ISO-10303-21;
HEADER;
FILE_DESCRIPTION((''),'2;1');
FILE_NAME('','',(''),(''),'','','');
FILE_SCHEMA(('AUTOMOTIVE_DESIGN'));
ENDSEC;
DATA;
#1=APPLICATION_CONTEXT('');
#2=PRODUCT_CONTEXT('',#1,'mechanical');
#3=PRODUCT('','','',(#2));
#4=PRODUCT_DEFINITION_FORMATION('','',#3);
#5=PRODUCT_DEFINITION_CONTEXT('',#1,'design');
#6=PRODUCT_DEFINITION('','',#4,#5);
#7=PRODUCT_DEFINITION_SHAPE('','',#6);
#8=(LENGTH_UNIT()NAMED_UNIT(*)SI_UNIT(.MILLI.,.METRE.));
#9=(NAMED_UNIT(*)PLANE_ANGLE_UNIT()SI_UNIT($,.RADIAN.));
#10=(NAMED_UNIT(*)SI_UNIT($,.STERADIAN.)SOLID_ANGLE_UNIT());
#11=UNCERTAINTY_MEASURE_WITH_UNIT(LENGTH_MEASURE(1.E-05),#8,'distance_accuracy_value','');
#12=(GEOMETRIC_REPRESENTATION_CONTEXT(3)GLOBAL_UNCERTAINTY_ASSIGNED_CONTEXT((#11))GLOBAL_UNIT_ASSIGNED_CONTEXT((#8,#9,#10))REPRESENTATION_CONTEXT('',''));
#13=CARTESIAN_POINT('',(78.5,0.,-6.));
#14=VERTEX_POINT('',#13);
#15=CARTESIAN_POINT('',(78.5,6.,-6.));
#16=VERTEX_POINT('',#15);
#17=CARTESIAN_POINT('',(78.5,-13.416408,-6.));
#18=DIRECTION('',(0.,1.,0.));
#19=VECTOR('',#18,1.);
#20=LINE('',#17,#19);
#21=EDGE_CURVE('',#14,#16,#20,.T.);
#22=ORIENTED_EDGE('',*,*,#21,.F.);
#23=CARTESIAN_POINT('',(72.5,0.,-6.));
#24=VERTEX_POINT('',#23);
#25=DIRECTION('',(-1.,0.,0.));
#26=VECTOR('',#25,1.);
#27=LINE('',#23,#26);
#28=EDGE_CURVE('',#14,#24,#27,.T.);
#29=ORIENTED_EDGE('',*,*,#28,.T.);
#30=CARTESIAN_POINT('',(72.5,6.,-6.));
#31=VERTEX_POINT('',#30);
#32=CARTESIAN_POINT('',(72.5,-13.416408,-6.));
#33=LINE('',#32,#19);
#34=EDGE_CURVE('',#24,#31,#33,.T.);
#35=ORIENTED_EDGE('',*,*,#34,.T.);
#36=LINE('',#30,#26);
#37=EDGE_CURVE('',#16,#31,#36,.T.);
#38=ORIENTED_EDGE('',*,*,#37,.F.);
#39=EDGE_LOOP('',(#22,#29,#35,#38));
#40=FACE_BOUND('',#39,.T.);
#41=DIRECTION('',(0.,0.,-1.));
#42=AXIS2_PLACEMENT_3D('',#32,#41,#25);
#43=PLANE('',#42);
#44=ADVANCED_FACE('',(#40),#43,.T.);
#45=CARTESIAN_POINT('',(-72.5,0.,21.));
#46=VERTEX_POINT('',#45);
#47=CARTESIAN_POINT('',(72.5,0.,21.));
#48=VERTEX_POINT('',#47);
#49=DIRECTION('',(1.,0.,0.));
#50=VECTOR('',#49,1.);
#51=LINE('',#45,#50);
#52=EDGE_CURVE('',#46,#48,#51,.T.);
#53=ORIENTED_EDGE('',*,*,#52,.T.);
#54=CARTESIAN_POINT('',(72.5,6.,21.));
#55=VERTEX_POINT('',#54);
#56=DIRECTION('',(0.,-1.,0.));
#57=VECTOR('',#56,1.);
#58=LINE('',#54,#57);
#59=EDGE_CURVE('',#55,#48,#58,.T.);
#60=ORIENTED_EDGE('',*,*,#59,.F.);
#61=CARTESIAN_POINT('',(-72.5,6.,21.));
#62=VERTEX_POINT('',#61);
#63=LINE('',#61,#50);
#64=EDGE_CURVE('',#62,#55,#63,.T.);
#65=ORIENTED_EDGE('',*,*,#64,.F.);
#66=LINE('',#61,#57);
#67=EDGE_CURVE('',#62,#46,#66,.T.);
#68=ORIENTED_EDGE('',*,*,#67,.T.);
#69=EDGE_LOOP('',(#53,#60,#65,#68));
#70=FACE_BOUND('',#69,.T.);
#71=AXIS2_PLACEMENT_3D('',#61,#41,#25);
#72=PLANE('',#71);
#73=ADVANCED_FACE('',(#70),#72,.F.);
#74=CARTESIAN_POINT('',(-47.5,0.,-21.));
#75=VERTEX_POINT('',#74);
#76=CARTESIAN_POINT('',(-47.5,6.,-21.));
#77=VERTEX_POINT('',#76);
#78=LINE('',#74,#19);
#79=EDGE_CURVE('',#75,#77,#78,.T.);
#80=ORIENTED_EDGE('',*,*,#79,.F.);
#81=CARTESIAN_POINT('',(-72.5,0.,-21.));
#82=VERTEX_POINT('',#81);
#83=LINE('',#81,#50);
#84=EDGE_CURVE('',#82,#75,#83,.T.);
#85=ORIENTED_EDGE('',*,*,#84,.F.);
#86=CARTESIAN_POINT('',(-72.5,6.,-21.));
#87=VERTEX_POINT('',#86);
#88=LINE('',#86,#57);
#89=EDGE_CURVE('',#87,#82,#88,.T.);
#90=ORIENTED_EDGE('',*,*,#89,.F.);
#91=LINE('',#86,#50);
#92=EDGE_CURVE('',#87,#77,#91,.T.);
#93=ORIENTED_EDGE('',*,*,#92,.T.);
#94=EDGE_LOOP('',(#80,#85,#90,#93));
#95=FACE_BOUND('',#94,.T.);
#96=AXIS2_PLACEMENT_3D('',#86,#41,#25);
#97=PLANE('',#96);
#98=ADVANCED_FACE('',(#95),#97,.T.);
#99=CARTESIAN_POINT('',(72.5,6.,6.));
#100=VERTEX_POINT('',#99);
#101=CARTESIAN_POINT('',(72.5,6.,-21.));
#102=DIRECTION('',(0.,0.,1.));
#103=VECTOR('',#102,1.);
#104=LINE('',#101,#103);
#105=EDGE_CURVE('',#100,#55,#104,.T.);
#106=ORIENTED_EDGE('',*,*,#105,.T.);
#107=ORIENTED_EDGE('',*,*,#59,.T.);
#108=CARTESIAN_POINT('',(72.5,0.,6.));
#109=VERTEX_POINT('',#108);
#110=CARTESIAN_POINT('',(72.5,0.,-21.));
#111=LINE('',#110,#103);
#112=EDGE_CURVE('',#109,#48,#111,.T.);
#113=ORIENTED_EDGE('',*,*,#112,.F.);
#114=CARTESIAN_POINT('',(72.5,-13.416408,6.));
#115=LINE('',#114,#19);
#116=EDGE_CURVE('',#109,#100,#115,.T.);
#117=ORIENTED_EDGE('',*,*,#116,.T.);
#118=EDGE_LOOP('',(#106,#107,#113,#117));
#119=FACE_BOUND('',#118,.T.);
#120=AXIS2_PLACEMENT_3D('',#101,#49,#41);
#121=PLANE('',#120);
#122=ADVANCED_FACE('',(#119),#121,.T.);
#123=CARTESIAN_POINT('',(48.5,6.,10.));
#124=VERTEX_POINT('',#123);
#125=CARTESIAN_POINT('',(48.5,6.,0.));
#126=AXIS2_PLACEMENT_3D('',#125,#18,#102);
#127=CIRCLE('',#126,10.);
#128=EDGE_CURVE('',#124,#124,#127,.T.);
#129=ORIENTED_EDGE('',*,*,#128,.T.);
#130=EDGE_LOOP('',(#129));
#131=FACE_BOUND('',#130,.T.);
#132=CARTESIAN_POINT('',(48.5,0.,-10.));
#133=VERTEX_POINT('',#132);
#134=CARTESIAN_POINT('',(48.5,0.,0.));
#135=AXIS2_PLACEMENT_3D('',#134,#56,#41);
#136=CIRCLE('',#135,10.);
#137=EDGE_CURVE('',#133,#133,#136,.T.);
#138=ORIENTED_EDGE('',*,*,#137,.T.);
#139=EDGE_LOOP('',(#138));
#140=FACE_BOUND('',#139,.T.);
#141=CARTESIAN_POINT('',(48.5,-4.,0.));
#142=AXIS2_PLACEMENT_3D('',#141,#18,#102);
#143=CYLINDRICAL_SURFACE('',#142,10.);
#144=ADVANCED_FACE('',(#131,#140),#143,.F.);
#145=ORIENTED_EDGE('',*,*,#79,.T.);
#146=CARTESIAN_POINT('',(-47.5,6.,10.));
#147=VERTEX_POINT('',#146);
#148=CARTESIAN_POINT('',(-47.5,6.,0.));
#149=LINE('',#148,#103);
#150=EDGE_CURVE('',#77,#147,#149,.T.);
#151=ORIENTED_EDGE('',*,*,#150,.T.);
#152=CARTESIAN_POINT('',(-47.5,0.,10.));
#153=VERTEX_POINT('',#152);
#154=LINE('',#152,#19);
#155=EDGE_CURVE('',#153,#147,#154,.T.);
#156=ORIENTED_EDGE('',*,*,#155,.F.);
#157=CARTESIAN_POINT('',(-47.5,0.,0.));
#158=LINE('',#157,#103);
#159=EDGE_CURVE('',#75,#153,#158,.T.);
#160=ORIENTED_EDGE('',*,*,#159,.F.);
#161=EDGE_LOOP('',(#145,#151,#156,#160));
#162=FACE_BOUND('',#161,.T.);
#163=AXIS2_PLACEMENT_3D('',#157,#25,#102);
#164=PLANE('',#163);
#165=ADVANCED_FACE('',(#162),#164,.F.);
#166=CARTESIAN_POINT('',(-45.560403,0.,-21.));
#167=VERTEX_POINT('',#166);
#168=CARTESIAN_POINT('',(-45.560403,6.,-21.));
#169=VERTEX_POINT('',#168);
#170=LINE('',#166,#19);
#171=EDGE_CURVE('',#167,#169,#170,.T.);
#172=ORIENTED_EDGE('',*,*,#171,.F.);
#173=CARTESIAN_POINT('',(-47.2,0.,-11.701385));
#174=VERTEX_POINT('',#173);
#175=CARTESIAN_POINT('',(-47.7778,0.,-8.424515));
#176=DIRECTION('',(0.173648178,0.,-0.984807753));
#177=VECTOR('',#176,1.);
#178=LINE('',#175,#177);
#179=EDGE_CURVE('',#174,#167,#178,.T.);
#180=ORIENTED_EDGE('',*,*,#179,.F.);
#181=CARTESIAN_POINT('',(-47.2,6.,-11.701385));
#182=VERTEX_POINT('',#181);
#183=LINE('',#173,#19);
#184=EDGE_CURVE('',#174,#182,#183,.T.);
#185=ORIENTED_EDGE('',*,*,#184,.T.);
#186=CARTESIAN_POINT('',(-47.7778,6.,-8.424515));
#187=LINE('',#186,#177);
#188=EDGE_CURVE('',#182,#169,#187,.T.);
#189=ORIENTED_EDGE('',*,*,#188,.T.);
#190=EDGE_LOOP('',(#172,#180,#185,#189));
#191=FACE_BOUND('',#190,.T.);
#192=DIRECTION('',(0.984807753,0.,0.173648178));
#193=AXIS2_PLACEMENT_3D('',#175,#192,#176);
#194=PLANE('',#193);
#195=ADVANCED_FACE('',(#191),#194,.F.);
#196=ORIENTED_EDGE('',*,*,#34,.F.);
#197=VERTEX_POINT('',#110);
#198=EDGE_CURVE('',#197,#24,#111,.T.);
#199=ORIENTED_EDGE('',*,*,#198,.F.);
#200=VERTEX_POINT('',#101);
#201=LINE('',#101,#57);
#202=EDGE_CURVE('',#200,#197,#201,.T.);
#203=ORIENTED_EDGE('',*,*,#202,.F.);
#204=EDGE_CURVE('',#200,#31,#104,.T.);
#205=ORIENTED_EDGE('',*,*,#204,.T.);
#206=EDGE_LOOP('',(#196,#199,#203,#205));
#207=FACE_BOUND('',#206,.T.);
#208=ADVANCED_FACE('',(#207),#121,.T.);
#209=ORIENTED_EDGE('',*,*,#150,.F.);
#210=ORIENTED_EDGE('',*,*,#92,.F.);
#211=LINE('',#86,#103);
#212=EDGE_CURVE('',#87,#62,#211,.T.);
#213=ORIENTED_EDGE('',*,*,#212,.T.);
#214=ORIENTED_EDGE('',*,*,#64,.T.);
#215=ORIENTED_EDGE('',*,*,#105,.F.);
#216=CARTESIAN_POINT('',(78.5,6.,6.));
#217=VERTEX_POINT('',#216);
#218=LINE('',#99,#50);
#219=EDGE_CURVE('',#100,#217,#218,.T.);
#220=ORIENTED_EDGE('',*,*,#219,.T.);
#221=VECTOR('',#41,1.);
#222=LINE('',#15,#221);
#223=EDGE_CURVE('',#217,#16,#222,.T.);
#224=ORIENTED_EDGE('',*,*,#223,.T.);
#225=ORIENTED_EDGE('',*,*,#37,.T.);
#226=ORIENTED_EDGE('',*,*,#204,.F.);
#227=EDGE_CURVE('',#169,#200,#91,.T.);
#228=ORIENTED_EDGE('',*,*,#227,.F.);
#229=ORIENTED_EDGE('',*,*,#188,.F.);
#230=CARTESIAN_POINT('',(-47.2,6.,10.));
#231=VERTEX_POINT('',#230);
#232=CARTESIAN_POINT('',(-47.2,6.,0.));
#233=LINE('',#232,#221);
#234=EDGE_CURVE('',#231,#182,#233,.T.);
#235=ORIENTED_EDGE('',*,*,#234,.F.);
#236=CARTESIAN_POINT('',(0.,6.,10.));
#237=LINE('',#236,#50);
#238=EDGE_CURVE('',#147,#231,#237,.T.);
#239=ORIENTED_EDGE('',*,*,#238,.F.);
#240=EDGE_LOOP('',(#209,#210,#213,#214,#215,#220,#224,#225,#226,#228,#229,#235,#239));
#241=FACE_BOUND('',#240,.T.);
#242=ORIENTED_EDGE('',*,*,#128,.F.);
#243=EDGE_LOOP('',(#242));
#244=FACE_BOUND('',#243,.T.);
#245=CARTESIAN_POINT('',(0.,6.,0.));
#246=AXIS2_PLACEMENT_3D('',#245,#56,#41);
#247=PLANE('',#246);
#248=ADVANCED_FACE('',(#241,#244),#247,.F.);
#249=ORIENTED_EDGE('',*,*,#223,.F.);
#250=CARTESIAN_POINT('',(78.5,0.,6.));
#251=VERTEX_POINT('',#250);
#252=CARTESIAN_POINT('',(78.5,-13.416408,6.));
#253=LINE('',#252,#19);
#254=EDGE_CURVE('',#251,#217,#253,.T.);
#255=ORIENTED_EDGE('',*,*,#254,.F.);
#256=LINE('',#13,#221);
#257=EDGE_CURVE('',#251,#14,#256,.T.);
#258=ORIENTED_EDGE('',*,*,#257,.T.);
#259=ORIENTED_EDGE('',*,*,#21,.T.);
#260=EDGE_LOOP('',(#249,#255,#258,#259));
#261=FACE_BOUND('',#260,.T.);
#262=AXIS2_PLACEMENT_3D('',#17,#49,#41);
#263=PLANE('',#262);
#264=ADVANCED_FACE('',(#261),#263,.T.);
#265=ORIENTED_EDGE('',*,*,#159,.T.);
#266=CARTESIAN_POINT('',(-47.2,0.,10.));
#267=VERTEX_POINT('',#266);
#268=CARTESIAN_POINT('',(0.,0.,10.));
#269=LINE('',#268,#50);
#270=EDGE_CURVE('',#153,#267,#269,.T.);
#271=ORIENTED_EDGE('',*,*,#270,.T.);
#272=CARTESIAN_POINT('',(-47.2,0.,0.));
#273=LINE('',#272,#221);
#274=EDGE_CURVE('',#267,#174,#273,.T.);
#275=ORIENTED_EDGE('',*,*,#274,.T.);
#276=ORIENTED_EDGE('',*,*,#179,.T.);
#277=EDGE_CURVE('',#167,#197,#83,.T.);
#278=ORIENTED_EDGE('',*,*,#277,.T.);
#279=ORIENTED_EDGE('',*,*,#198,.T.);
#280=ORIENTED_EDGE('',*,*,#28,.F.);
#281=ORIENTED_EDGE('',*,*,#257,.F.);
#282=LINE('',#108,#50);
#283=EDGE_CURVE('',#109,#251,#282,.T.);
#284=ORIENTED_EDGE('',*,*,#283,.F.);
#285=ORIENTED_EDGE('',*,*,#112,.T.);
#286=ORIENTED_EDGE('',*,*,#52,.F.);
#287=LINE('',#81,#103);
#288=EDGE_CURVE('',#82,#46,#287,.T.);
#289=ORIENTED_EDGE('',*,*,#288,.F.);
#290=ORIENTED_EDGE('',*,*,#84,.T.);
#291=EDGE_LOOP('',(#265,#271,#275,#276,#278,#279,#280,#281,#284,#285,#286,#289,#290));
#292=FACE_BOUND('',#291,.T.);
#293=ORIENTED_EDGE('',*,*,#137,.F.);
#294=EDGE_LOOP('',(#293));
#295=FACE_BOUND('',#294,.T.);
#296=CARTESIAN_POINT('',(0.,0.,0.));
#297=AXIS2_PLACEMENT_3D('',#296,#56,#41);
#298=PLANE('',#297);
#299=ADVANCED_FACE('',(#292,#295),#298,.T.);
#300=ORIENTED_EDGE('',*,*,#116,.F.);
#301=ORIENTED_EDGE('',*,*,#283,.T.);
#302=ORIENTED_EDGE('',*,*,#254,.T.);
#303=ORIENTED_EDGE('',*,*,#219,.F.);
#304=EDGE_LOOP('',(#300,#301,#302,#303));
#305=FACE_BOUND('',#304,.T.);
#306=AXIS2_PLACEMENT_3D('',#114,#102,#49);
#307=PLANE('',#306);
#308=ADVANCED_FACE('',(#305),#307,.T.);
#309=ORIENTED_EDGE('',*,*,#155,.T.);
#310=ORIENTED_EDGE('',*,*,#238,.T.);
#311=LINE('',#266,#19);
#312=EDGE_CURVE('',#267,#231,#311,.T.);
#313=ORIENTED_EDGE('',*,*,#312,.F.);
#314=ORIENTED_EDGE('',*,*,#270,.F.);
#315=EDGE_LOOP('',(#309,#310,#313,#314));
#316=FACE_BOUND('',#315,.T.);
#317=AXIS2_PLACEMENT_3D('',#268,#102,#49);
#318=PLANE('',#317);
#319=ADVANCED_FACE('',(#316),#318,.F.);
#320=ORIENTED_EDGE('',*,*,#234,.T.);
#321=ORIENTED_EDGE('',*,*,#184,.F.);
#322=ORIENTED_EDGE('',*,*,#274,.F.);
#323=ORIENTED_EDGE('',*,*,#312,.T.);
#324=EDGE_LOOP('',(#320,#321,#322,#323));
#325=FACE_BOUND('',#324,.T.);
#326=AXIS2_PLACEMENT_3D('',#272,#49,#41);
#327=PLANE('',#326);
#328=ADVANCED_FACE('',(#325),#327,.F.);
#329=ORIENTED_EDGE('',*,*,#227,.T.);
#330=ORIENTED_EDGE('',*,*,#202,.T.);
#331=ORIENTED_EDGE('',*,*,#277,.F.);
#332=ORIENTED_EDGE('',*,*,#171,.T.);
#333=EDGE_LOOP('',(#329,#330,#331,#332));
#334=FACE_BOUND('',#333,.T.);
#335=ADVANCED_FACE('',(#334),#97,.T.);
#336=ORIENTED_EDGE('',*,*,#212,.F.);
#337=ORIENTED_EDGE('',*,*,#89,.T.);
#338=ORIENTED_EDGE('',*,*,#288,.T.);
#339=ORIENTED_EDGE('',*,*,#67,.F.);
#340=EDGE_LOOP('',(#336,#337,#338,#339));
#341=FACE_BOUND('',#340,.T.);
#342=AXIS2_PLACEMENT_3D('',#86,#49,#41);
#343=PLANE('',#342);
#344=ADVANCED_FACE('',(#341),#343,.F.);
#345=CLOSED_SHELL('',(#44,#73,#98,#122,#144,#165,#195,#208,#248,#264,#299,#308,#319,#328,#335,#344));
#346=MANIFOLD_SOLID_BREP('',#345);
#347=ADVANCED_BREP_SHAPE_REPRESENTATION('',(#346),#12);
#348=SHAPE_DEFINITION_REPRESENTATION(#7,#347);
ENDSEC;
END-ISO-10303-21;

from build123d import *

# Parameters (mm, degrees)
SKETCH1_W           = 145
SKETCH1_H           = 42
BOSS_EXTRUDE1_DEPTH = 6
SKETCH3_R           = 4
CUT_EXTRUDE1_DEPTH  = 7
SKETCH4_W           = 6
SKETCH4_H           = 12
BOSS_EXTRUDE2_DEPTH = 6
BOSS_EXTRUDE3_DEPTH = 6
SKETCH7_R           = 0.75
CUT_EXTRUDE2_DEPTH  = 7
CUT_EXTRUDE3_DEPTH  = 7
SKETCH9_R           = 10
CUT_EXTRUDE4_DEPTH  = 10


with BuildPart() as part:
    # Sketch1 → Boss-Extrude1 (new body)
    with BuildSketch(Plane(origin=(0, 0, 0), x_dir=(1, 0, 0), z_dir=(0, 1, 0))):
        Rectangle(SKETCH1_W, SKETCH1_H)
    extrude(amount=BOSS_EXTRUDE1_DEPTH)

    # Sketch3 → Cut-Extrude1 (cut, through all)
    with BuildSketch(Plane.XZ):
        with Locations((48.5, 0)):
            Circle(SKETCH3_R)
    extrude(amount=-CUT_EXTRUDE1_DEPTH, mode=Mode.SUBTRACT)

    # Sketch4 → Boss-Extrude2 (add)
    with BuildSketch(Plane(origin=(0, 6, 0), x_dir=(1, 0, 0), z_dir=(0, 1, 0))):
        with Locations((75.5, 0)):
            Rectangle(SKETCH4_W, SKETCH4_H)
    extrude(amount=-BOSS_EXTRUDE2_DEPTH)

    # Sketch5 → Boss-Extrude3 (add)
    with BuildSketch(Plane(origin=(0, 6, 0), x_dir=(1, 0, 0), z_dir=(0, 1, 0))):
        Polygon((-59.5, -10), (-72.5, -10), (-72.5, -21), (-53.5, -21), (-53.5, -17.5), (-59.5, -17.5), align=None)
    extrude(amount=-BOSS_EXTRUDE3_DEPTH)

    # Sketch7 → Cut-Extrude2 (cut, through all)
    with BuildSketch(Plane.XZ):
        with Locations((-161.479103552, -154.351327649)):
            Circle(SKETCH7_R)
    extrude(amount=-CUT_EXTRUDE2_DEPTH, mode=Mode.SUBTRACT)

    # Sketch8 → Cut-Extrude3 (cut, through all)
    with BuildSketch(Plane(origin=(0, 6, 0), x_dir=(1, 0, 0), z_dir=(0, 1, 0))):
        Polygon((-47.5, 21), (-47.5, -10), (-47.2, -10), (-47.2, 11.701384546), (-45.560403212, 21), align=None)
    extrude(amount=-CUT_EXTRUDE3_DEPTH, mode=Mode.SUBTRACT)

    # Sketch9 → Cut-Extrude4 (cut)
    with BuildSketch(Plane(origin=(0, 6, 0), x_dir=(1, 0, 0), z_dir=(0, 1, 0))):
        with Locations((48.5, 0)):
            Circle(SKETCH9_R)
    extrude(amount=-CUT_EXTRUDE4_DEPTH, mode=Mode.SUBTRACT)


solid = part.part
